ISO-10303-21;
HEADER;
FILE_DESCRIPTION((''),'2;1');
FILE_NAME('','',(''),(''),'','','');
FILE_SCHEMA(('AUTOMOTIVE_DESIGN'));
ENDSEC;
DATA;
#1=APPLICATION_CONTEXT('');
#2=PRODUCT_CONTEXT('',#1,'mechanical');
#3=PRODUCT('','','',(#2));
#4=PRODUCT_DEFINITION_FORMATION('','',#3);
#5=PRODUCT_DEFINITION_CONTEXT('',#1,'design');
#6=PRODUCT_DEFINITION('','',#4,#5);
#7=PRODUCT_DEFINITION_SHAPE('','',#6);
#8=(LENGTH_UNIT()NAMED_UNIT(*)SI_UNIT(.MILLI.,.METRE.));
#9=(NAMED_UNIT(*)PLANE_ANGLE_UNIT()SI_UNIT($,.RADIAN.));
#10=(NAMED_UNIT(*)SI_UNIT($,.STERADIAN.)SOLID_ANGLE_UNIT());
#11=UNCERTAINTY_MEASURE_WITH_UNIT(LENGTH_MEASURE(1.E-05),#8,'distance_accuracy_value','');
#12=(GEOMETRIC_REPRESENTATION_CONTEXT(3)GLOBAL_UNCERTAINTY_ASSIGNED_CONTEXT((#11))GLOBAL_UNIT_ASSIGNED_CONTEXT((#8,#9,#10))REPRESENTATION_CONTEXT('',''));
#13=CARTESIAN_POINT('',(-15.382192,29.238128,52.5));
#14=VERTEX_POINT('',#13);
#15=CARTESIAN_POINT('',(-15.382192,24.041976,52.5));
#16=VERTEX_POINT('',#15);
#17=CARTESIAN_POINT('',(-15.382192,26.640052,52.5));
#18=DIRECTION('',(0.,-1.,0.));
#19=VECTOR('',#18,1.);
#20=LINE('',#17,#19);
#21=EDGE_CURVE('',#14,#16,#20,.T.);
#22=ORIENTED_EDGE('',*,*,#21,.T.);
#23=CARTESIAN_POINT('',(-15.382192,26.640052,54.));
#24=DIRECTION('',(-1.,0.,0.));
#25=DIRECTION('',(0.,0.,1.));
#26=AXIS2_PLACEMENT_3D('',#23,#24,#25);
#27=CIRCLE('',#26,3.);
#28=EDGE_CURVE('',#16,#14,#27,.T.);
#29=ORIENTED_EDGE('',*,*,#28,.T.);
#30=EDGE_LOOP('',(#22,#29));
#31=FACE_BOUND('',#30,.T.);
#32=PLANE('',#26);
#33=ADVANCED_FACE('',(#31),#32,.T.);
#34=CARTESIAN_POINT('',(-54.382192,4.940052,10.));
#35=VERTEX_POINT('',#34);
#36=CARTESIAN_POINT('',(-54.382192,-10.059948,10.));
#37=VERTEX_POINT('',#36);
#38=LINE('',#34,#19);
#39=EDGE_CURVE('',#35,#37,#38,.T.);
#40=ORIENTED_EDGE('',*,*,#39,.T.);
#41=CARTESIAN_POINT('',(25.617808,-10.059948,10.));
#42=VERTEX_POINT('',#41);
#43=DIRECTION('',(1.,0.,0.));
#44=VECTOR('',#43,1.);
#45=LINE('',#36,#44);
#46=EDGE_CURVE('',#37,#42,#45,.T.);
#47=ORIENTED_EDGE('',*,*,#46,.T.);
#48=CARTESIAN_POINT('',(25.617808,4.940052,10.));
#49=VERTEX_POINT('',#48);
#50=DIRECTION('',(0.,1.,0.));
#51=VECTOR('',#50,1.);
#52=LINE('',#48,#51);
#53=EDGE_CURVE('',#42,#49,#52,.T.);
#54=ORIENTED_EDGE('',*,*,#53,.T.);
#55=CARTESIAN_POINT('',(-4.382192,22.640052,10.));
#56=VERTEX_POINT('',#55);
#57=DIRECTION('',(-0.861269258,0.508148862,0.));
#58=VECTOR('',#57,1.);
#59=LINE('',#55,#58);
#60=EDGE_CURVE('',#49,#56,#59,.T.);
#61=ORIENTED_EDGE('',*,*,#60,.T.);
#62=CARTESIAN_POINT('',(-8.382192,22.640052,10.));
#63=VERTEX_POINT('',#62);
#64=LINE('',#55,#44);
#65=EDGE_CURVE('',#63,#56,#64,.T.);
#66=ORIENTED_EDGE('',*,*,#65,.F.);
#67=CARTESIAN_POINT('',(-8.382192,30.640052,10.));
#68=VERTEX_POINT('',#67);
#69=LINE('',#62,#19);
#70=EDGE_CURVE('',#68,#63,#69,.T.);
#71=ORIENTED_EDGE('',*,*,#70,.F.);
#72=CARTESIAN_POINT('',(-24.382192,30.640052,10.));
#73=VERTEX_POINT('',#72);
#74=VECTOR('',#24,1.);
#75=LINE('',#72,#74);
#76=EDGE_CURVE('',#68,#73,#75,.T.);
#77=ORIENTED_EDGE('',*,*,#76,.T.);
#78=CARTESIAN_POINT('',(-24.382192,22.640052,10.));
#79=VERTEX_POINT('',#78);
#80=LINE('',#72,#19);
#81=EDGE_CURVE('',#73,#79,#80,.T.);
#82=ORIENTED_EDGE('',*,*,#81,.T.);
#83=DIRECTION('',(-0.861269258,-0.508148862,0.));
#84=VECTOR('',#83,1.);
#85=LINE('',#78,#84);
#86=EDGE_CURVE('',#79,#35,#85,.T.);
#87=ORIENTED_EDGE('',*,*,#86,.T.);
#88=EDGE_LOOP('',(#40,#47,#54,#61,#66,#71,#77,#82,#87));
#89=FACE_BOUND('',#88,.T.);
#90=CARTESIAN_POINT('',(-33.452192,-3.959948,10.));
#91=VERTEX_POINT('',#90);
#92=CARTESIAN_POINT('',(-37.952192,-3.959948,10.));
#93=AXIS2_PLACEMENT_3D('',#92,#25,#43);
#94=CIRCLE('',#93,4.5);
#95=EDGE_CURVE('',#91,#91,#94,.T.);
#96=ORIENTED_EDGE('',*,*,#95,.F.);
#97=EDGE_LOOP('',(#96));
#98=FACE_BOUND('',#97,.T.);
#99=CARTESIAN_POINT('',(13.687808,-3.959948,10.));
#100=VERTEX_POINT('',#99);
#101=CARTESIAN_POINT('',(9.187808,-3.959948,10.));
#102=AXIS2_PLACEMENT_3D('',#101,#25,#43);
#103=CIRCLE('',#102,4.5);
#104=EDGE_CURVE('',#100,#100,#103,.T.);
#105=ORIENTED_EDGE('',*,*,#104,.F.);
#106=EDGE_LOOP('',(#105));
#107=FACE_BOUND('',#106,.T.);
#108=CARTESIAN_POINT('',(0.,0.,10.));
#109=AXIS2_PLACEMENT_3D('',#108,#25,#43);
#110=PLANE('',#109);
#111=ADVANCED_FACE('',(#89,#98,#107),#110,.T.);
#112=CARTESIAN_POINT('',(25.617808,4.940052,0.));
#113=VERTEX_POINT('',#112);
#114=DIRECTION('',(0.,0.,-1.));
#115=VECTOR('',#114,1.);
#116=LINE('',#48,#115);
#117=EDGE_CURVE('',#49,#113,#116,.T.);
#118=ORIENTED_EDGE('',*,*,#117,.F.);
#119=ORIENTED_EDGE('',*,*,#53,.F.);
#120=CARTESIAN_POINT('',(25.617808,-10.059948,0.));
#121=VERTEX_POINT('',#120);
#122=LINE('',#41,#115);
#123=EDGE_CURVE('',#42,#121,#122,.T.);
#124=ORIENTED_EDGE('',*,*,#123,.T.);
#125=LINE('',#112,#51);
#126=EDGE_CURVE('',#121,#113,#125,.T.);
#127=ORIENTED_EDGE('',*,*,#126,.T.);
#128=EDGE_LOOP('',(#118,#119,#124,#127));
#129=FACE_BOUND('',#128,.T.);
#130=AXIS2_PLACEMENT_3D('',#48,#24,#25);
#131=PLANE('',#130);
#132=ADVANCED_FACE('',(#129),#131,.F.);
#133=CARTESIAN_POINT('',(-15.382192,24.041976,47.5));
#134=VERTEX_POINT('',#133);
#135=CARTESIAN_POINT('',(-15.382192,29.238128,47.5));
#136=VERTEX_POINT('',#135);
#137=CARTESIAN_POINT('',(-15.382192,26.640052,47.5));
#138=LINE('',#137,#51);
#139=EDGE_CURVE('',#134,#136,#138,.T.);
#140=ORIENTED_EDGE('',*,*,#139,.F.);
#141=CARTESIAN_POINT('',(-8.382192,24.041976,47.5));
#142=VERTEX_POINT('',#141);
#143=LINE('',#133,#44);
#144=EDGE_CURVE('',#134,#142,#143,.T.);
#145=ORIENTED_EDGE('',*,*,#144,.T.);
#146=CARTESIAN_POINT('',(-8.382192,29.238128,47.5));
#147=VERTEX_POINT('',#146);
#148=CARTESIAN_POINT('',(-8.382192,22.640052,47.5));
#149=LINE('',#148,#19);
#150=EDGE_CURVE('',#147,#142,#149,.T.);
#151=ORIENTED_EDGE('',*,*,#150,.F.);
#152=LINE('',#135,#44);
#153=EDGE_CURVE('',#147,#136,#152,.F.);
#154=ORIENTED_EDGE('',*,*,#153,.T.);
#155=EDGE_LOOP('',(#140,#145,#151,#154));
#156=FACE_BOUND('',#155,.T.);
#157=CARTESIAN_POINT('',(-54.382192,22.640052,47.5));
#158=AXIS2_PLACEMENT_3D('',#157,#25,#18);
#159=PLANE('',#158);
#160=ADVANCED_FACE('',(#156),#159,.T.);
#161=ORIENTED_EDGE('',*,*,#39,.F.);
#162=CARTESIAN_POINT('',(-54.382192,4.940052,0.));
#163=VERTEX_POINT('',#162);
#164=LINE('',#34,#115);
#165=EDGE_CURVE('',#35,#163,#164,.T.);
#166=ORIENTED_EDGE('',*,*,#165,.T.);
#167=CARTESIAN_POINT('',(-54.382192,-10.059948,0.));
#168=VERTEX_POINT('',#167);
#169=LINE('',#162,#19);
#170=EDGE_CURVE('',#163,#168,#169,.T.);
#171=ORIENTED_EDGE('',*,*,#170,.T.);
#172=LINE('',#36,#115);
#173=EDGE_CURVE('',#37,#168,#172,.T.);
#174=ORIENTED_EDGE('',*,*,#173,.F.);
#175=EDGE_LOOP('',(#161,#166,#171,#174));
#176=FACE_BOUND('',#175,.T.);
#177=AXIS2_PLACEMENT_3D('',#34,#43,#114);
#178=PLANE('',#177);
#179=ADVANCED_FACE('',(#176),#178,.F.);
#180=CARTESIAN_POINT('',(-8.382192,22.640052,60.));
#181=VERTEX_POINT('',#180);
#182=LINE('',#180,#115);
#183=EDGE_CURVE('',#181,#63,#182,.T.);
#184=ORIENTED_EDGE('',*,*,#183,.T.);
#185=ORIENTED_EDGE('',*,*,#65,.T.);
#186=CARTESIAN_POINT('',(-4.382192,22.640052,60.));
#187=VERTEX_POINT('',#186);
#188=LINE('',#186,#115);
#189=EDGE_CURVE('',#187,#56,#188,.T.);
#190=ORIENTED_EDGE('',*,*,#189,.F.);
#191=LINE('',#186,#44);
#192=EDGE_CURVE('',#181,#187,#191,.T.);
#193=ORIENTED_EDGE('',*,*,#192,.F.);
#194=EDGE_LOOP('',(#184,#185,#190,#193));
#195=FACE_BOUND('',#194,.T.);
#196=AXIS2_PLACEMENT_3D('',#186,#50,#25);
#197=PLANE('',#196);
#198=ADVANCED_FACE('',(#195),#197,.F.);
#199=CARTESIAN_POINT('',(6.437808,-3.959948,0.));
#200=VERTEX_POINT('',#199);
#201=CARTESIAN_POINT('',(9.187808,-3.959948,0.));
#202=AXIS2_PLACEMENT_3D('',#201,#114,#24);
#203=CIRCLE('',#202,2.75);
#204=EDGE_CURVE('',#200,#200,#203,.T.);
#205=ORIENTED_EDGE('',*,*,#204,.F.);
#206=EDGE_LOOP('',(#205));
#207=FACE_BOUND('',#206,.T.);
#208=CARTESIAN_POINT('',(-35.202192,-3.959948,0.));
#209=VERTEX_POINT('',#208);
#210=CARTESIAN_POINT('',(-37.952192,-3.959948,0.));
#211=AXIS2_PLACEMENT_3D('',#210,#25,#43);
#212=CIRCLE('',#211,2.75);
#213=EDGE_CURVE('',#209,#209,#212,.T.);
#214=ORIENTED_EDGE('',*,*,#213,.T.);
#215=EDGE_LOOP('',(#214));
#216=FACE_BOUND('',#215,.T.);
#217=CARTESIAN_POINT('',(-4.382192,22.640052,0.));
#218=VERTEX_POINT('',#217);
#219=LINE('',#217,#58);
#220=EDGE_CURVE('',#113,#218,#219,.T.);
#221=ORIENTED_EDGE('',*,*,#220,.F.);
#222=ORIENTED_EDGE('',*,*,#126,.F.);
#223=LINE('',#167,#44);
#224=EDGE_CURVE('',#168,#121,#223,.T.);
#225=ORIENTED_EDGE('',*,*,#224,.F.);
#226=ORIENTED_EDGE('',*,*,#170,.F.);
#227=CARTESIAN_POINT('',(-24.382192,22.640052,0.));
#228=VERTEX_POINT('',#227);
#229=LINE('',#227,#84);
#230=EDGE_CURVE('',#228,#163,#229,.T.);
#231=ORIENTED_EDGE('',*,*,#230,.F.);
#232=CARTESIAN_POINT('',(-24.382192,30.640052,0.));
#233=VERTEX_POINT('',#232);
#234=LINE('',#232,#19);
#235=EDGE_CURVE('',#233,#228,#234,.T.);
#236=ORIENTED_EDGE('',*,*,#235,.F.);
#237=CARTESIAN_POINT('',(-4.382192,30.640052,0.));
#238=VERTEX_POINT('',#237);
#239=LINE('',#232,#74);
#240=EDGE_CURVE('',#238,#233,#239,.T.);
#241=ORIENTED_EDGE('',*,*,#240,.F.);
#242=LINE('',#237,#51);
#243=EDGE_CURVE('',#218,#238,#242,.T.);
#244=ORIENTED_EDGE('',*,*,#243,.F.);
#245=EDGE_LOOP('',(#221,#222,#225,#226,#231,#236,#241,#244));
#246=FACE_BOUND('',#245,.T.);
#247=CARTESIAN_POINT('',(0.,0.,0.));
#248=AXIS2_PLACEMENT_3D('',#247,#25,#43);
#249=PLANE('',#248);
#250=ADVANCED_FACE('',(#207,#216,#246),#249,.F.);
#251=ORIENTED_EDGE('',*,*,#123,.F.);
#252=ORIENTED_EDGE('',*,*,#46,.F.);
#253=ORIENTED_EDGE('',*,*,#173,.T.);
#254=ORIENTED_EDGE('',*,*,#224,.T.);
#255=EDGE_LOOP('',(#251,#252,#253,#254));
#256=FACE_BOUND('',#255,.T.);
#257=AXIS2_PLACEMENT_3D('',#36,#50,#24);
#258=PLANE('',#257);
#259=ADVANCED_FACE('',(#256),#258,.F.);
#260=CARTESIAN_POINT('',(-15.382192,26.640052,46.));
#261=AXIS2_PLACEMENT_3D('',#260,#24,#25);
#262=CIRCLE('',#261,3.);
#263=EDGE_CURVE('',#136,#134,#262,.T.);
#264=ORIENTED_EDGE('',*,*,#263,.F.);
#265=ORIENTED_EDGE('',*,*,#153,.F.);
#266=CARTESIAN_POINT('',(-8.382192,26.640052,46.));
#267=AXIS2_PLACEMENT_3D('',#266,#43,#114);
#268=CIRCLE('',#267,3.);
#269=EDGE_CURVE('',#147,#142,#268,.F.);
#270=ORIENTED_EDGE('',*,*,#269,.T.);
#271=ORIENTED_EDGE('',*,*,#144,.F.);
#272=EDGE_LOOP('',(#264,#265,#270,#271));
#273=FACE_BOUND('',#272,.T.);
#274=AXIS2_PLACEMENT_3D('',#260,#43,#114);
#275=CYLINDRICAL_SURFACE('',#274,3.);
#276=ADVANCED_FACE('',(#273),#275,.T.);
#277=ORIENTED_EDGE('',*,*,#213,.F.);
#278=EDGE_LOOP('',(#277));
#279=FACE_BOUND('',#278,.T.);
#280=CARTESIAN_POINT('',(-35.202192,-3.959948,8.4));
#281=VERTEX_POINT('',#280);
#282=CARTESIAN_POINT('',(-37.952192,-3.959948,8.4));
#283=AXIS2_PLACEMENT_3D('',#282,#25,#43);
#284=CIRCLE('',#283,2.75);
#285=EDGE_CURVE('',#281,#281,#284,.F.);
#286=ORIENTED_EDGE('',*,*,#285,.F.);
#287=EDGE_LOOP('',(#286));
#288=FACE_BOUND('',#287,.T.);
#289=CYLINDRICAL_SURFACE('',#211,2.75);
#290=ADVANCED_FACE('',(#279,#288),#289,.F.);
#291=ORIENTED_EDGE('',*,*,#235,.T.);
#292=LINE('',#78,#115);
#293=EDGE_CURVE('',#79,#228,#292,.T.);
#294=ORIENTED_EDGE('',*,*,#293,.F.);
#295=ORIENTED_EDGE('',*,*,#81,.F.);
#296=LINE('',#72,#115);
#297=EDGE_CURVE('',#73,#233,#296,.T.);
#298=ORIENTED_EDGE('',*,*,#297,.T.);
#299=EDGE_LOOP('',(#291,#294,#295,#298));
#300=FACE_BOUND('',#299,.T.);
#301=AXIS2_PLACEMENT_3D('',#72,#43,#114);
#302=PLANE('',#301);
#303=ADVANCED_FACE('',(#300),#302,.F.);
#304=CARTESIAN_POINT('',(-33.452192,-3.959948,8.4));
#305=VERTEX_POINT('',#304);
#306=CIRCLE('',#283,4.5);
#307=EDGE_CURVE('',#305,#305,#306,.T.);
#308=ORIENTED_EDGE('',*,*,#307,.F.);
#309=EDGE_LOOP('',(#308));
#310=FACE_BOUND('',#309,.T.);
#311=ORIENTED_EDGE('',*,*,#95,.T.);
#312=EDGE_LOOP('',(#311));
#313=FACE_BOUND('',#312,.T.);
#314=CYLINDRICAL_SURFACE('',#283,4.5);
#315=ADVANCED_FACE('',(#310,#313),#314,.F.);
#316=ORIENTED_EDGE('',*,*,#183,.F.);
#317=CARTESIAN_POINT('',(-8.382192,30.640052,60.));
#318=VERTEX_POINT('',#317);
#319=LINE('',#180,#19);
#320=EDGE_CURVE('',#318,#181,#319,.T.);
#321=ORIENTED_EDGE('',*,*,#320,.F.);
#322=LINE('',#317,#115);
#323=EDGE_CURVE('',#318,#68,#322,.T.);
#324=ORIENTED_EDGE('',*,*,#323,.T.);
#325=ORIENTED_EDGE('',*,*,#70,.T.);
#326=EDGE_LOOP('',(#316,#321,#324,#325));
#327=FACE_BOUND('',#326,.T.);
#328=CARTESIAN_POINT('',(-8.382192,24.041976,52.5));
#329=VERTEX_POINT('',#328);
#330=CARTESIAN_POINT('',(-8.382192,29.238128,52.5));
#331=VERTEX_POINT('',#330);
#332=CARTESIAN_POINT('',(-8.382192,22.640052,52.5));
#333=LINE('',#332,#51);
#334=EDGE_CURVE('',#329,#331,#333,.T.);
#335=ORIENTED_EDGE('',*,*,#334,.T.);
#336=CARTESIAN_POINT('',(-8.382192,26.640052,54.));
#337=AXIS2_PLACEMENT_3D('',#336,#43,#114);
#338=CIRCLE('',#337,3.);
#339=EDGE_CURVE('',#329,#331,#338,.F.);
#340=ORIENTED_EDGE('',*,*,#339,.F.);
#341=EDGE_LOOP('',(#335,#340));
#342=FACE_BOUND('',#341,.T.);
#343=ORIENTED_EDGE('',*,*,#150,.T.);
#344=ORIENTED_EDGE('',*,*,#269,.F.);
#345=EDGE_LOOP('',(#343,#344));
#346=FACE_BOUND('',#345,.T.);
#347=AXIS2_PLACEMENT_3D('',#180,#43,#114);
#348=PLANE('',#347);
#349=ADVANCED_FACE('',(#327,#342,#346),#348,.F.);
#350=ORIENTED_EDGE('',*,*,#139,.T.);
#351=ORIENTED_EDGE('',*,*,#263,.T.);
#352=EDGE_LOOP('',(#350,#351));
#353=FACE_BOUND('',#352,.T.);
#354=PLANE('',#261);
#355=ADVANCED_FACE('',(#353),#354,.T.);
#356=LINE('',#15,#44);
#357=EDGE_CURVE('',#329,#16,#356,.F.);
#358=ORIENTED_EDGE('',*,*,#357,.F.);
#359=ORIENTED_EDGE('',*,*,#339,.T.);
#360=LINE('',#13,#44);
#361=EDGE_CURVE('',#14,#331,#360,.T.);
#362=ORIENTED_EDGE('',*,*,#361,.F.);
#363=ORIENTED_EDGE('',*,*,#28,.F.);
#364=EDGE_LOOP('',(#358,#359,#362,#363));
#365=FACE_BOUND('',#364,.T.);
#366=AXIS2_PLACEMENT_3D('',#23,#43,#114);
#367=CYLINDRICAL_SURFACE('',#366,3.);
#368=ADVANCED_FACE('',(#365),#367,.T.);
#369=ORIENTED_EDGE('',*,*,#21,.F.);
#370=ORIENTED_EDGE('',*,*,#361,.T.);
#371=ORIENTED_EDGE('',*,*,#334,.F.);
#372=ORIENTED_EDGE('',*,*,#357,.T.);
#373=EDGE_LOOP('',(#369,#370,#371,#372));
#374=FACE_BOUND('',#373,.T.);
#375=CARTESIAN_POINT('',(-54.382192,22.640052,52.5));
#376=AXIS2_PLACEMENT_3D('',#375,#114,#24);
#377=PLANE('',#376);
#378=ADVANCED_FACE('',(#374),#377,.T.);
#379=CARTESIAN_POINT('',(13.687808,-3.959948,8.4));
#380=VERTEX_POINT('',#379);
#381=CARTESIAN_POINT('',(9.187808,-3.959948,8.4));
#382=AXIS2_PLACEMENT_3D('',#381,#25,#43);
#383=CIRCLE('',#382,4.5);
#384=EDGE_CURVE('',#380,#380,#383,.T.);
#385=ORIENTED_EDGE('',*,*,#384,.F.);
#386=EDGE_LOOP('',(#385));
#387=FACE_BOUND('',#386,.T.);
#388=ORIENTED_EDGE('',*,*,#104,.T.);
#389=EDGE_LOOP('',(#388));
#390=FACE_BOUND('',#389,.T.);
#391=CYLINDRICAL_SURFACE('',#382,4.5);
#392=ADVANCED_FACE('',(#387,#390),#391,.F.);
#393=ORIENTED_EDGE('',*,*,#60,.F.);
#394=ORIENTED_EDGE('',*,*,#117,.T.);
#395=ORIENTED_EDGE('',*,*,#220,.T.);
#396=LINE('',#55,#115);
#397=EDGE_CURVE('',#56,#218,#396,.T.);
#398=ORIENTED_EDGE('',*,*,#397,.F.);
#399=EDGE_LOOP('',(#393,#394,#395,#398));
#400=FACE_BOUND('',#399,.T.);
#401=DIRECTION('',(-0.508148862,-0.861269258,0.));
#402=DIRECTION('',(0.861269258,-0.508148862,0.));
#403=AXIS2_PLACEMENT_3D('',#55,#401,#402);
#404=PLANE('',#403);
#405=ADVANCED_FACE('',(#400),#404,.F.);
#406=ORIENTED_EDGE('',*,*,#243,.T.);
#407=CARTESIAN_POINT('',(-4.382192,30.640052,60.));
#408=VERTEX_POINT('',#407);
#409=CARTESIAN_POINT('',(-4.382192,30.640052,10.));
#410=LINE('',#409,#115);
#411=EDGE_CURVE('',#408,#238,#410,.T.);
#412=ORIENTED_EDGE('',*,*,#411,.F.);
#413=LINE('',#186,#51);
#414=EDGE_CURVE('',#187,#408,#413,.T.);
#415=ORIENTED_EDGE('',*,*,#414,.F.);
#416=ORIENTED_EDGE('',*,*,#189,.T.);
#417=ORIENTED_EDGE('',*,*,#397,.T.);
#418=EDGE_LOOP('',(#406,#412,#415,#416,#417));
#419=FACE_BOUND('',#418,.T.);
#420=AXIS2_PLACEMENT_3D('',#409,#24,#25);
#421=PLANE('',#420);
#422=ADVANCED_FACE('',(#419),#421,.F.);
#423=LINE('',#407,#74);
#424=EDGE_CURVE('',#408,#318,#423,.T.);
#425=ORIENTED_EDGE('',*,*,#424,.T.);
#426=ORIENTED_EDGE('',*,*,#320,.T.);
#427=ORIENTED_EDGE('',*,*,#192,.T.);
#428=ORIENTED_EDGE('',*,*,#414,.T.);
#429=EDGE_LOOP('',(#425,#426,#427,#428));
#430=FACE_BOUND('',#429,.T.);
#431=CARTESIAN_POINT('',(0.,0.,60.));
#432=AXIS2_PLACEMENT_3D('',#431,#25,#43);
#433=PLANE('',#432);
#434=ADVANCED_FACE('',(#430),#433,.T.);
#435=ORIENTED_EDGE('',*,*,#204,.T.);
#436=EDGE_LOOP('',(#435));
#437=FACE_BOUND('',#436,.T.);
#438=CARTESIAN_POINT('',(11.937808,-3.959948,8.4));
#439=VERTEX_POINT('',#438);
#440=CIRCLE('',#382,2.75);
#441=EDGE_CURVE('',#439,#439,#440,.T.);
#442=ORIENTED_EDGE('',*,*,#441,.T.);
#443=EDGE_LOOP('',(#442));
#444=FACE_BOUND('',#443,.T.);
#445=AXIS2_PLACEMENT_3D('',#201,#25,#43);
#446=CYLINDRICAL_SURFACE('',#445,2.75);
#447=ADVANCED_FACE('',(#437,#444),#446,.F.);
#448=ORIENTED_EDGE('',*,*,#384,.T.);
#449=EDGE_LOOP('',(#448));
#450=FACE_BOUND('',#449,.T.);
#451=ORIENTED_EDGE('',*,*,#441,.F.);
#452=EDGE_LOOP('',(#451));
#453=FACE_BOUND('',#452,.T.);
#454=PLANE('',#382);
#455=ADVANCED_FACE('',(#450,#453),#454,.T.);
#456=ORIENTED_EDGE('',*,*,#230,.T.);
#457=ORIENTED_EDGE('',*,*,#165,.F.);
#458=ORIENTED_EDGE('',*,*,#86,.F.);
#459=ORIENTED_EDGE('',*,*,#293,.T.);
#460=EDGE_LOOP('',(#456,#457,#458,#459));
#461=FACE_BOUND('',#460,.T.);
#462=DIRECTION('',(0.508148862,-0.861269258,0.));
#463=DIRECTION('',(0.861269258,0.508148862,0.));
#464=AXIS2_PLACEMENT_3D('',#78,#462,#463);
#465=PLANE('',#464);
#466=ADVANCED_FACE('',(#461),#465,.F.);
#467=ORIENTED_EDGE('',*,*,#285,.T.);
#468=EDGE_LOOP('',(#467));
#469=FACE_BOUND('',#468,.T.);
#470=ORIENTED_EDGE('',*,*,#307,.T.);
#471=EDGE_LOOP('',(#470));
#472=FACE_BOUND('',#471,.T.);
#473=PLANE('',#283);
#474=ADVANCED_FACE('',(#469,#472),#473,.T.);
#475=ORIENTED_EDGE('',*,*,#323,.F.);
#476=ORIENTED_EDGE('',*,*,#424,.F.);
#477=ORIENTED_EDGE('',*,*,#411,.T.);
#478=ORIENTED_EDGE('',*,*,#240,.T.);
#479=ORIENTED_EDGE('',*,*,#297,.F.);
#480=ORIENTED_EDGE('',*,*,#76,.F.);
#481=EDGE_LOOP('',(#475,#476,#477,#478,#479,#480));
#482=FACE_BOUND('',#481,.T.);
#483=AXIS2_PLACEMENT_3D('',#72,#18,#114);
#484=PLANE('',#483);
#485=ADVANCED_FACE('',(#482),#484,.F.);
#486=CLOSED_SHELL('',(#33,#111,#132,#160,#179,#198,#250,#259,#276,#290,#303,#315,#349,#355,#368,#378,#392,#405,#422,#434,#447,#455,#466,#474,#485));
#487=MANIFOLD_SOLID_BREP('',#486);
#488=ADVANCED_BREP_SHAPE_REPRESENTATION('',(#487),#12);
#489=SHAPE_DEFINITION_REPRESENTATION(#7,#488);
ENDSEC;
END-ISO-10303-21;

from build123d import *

# Parameters (mm, degrees)
BOSS_EXTRUDE1_DEPTH = 10
SKETCH4_R           = 2.75
CUT_EXTRUDE1_DEPTH  = 64.215786076
SKETCH6_R           = 4.5
CUT_EXTRUDE3_DEPTH  = 1.6
SKETCH7_W           = 4
SKETCH7_H           = 8
BOSS_EXTRUDE2_DEPTH = 50
SKETCH8_R           = 3
BOSS_EXTRUDE3_DEPTH = 7
SKETCH9_W           = 5
SKETCH9_H           = 8
CUT_EXTRUDE4_DEPTH  = 82.57703588


with BuildPart() as part:
    # Sketch2 → Boss-Extrude1 (new body)
    with BuildSketch(Plane.XY):
        Polygon((-24.382192178, 22.640051942), (-54.382192178, 4.940051942), (-54.382192178, -10.059948058), (25.617807822, -10.059948058), (25.617807822, 4.940051942), (-4.382192178, 22.640051942), (-4.382192178, 30.640051942), (-24.382192178, 30.640051942), align=None)
    extrude(amount=BOSS_EXTRUDE1_DEPTH)

    # Sketch4 → Cut-Extrude1 (cut, through all)
    with BuildSketch(Plane.XY.offset(10)):
        with Locations((-37.952192178, -3.959948058)):
            Circle(SKETCH4_R)
    cut_extrude1 = extrude(amount=-CUT_EXTRUDE1_DEPTH, mode=Mode.SUBTRACT)

    # Mirror2: Cut-Extrude1 across plane
    add(cut_extrude1.mirror(Plane.ZY.offset(14.382192178)), mode=Mode.SUBTRACT)

    # Sketch6 → Cut-Extrude3 (cut)
    with BuildSketch(Plane.XY.offset(10)):
        with Locations((-37.952192178, -3.959948058)):
            Circle(SKETCH6_R)
        with Locations((9.187807822, -3.959948058)):
            Circle(SKETCH6_R)
    extrude(amount=-CUT_EXTRUDE3_DEPTH, mode=Mode.SUBTRACT)

    # Sketch7 → Boss-Extrude2 (add)
    with BuildSketch(Plane.XY.offset(10)):
        with Locations((-6.382192178, 26.640051942)):
            Rectangle(SKETCH7_W, SKETCH7_H)
    extrude(amount=BOSS_EXTRUDE2_DEPTH)

    # Sketch8 → Boss-Extrude3 (add)
    with BuildSketch(Plane.ZY.offset(8.382192178)):
        with Locations(Location((54, 26.640051942, 0), (0, 0, 180))):
            Circle(SKETCH8_R)
        with Locations(Location((46, 26.640051942, 0), (0, 0, 180))):
            Circle(SKETCH8_R)
    extrude(amount=BOSS_EXTRUDE3_DEPTH)

    # Sketch9 → Cut-Extrude4 (cut, through all)
    with BuildSketch(Plane.ZY.offset(8.382192178)):
        with Locations((50, 26.640051942)):
            Rectangle(SKETCH9_W, SKETCH9_H)
    extrude(amount=CUT_EXTRUDE4_DEPTH, mode=Mode.SUBTRACT)


solid = part.part
